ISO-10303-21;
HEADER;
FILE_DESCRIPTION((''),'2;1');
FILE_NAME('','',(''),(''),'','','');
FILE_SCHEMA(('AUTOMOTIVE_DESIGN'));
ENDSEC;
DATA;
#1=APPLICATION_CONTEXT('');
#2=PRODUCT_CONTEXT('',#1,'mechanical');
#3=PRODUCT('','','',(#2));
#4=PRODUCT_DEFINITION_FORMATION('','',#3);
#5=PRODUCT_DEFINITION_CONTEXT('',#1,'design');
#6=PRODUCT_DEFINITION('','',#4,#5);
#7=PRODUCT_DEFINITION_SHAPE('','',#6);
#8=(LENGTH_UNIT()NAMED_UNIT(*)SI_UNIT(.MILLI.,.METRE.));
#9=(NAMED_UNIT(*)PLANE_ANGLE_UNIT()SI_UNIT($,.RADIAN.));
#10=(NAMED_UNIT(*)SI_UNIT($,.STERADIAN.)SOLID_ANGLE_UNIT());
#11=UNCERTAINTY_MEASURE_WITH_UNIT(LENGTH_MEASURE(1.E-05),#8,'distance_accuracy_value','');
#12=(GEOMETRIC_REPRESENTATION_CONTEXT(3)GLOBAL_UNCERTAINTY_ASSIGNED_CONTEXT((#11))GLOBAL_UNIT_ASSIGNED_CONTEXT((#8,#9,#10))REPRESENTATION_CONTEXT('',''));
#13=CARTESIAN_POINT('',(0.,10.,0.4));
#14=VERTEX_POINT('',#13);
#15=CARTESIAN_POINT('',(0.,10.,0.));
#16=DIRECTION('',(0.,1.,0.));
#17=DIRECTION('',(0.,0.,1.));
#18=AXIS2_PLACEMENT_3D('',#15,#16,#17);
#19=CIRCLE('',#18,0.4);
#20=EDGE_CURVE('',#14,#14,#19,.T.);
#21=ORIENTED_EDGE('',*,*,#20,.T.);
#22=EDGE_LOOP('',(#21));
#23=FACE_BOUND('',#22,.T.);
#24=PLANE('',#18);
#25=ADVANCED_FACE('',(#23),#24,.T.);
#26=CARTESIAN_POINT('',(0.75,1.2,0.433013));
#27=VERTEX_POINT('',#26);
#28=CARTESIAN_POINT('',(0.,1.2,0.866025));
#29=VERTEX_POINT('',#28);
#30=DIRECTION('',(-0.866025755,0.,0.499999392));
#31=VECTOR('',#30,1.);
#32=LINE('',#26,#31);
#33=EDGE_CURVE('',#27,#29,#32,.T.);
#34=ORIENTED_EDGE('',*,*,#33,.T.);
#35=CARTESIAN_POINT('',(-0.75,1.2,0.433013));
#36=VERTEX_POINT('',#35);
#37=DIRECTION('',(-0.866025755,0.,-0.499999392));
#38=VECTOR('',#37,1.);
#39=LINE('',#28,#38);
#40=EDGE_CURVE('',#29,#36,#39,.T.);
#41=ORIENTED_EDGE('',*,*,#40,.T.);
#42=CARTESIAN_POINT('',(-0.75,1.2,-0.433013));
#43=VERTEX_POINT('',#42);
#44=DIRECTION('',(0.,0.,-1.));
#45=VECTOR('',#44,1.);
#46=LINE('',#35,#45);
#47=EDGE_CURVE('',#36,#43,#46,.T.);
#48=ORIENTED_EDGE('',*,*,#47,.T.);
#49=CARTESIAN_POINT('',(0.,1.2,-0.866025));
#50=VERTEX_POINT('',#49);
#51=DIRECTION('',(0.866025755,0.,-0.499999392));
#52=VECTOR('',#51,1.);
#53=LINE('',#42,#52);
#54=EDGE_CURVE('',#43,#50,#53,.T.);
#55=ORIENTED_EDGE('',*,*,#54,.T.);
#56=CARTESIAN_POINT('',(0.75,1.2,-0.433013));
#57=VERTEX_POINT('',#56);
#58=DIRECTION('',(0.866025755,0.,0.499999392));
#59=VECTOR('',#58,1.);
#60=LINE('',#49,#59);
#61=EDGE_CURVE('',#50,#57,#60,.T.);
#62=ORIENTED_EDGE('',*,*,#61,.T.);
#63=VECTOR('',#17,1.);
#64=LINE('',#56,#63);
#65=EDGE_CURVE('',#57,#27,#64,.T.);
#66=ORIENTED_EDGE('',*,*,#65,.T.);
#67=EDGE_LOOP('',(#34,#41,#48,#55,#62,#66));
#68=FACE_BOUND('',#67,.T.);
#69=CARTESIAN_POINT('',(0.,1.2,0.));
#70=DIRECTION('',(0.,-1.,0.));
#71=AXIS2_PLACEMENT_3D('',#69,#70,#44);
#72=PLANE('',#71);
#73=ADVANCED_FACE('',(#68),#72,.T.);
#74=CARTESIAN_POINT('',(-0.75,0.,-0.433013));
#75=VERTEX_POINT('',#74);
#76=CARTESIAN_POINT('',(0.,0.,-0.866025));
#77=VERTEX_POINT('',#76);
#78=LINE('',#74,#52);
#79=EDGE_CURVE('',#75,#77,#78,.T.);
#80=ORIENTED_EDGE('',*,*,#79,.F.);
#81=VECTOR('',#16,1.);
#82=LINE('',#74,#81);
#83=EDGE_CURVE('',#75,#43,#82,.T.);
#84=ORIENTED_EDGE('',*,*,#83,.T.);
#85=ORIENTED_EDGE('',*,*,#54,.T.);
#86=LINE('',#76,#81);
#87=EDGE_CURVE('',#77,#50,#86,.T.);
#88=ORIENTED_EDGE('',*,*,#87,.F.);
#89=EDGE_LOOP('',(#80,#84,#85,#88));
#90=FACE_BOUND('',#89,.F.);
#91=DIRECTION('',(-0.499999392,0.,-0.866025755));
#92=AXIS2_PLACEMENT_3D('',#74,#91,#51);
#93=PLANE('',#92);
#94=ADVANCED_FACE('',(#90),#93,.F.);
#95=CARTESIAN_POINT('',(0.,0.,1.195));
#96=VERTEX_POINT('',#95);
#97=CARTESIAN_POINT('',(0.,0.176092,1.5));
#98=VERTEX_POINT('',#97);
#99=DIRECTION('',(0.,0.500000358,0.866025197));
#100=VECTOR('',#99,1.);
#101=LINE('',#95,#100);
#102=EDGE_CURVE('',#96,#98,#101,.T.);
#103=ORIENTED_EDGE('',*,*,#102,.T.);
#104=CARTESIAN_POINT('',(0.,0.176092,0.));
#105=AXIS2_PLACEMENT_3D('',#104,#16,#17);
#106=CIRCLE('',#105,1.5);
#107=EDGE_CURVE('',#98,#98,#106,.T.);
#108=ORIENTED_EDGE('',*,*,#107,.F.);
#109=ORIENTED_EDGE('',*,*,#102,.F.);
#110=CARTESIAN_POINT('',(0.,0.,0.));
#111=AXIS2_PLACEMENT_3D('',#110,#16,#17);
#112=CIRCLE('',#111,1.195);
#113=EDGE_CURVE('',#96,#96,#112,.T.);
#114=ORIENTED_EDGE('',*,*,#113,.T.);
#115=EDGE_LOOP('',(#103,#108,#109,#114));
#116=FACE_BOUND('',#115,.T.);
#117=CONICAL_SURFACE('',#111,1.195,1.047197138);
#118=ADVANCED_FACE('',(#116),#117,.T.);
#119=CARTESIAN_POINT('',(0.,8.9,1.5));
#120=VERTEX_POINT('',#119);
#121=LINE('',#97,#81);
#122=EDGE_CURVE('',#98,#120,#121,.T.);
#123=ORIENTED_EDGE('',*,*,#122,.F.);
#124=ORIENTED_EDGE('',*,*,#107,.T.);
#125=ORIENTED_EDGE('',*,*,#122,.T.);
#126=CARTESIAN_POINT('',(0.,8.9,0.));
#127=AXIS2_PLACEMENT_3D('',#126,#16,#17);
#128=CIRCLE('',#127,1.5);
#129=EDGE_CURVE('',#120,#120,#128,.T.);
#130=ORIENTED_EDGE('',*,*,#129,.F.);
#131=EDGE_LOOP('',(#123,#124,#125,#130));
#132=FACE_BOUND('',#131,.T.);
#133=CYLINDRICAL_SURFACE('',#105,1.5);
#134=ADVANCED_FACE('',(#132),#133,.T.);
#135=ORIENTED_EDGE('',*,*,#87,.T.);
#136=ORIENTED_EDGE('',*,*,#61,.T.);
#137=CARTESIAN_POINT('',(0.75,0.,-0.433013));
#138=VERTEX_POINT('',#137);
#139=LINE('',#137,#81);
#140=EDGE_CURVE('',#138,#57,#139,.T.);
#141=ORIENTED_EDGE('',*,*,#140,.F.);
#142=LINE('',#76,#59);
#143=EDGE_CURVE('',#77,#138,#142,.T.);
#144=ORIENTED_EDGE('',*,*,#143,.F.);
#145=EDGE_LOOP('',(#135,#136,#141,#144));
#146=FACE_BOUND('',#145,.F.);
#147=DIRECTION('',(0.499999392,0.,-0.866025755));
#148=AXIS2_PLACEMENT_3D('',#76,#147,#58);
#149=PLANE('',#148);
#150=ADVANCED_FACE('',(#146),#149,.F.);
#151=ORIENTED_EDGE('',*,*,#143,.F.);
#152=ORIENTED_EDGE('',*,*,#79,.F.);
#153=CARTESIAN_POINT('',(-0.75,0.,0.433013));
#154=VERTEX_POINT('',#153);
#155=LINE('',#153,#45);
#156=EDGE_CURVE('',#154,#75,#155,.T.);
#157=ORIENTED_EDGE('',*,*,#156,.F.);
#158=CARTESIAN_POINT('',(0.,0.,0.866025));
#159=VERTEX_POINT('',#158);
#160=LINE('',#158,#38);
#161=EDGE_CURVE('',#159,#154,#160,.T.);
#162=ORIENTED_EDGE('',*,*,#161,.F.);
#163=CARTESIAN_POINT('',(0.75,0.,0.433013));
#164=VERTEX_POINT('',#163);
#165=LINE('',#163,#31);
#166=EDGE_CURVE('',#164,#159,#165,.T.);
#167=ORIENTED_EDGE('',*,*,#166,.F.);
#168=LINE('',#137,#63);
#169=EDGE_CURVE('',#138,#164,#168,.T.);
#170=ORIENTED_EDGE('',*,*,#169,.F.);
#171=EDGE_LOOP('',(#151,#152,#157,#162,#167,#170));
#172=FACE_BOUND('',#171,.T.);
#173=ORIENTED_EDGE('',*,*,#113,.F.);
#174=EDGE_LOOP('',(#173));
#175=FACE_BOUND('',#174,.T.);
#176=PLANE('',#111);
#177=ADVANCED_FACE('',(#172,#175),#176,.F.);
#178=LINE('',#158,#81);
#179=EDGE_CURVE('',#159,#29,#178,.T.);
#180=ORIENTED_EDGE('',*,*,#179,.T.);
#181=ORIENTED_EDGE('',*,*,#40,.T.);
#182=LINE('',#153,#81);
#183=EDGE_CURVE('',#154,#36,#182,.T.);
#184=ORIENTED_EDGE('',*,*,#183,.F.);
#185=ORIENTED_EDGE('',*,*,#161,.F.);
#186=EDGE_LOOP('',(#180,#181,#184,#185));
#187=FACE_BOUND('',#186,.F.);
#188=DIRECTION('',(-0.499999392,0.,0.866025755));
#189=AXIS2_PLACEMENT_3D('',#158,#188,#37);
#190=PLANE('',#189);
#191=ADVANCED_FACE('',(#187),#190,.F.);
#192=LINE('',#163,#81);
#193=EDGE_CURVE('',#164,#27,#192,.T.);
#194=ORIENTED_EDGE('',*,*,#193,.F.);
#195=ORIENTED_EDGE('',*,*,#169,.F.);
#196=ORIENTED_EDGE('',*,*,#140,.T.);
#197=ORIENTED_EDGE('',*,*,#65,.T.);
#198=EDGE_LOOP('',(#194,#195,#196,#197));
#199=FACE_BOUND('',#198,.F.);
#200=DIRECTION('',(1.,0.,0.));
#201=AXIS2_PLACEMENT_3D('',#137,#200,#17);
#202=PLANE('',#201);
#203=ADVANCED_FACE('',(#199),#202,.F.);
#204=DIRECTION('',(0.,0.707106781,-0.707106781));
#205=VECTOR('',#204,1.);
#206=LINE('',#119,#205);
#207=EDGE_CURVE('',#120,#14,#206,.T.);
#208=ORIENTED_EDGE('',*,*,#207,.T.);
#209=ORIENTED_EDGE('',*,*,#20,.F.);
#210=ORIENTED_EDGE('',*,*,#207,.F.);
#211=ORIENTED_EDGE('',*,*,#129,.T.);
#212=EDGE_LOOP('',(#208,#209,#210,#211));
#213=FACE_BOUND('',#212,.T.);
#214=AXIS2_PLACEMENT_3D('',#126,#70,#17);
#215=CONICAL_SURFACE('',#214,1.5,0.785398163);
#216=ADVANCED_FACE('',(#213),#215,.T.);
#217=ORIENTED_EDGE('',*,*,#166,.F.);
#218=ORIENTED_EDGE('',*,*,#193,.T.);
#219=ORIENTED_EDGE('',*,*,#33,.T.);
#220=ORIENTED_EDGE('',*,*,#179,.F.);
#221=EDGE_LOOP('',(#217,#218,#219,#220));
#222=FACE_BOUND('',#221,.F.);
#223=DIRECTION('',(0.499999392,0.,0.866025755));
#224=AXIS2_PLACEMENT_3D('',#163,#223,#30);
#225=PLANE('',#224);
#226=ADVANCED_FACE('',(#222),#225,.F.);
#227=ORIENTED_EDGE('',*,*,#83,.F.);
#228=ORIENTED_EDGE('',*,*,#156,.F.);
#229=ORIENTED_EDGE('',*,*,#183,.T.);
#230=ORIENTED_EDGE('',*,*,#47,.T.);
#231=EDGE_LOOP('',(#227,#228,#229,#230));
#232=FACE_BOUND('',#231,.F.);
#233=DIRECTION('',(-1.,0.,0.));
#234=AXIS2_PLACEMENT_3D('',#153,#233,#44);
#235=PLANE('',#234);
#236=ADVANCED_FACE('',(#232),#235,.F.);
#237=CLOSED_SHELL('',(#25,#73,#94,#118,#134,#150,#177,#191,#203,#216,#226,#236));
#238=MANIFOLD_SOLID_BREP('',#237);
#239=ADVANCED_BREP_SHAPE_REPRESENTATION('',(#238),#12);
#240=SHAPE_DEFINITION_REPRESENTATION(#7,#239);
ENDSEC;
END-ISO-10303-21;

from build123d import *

# Parameters (mm, degrees)
POCKET_DEPTH = 1.2


with BuildPart() as part:
    # Sketch → Revolution (revolve)
    with BuildSketch(Plane.YZ):
        Polygon((0, 0), (0, 1.195), (0.176092, 1.5), (8.9, 1.5), (10, 0.4), (10, 0), align=None)
    revolve(axis=Axis((0, 0, 0), (0, 1, 0)))

    # Sketch001 → Pocket (cut)
    with BuildSketch(Plane(origin=(0, 0, 0), x_dir=(0, 0, -1), z_dir=(0, -1, 0))):
        Polygon((-0.433013, -0.75), (0.433013, -0.75), (0.866025, 0), (0.433013, 0.75), (-0.433013, 0.75), (-0.866025, 0), align=None)
    extrude(amount=-POCKET_DEPTH, mode=Mode.SUBTRACT)


solid = part.part
